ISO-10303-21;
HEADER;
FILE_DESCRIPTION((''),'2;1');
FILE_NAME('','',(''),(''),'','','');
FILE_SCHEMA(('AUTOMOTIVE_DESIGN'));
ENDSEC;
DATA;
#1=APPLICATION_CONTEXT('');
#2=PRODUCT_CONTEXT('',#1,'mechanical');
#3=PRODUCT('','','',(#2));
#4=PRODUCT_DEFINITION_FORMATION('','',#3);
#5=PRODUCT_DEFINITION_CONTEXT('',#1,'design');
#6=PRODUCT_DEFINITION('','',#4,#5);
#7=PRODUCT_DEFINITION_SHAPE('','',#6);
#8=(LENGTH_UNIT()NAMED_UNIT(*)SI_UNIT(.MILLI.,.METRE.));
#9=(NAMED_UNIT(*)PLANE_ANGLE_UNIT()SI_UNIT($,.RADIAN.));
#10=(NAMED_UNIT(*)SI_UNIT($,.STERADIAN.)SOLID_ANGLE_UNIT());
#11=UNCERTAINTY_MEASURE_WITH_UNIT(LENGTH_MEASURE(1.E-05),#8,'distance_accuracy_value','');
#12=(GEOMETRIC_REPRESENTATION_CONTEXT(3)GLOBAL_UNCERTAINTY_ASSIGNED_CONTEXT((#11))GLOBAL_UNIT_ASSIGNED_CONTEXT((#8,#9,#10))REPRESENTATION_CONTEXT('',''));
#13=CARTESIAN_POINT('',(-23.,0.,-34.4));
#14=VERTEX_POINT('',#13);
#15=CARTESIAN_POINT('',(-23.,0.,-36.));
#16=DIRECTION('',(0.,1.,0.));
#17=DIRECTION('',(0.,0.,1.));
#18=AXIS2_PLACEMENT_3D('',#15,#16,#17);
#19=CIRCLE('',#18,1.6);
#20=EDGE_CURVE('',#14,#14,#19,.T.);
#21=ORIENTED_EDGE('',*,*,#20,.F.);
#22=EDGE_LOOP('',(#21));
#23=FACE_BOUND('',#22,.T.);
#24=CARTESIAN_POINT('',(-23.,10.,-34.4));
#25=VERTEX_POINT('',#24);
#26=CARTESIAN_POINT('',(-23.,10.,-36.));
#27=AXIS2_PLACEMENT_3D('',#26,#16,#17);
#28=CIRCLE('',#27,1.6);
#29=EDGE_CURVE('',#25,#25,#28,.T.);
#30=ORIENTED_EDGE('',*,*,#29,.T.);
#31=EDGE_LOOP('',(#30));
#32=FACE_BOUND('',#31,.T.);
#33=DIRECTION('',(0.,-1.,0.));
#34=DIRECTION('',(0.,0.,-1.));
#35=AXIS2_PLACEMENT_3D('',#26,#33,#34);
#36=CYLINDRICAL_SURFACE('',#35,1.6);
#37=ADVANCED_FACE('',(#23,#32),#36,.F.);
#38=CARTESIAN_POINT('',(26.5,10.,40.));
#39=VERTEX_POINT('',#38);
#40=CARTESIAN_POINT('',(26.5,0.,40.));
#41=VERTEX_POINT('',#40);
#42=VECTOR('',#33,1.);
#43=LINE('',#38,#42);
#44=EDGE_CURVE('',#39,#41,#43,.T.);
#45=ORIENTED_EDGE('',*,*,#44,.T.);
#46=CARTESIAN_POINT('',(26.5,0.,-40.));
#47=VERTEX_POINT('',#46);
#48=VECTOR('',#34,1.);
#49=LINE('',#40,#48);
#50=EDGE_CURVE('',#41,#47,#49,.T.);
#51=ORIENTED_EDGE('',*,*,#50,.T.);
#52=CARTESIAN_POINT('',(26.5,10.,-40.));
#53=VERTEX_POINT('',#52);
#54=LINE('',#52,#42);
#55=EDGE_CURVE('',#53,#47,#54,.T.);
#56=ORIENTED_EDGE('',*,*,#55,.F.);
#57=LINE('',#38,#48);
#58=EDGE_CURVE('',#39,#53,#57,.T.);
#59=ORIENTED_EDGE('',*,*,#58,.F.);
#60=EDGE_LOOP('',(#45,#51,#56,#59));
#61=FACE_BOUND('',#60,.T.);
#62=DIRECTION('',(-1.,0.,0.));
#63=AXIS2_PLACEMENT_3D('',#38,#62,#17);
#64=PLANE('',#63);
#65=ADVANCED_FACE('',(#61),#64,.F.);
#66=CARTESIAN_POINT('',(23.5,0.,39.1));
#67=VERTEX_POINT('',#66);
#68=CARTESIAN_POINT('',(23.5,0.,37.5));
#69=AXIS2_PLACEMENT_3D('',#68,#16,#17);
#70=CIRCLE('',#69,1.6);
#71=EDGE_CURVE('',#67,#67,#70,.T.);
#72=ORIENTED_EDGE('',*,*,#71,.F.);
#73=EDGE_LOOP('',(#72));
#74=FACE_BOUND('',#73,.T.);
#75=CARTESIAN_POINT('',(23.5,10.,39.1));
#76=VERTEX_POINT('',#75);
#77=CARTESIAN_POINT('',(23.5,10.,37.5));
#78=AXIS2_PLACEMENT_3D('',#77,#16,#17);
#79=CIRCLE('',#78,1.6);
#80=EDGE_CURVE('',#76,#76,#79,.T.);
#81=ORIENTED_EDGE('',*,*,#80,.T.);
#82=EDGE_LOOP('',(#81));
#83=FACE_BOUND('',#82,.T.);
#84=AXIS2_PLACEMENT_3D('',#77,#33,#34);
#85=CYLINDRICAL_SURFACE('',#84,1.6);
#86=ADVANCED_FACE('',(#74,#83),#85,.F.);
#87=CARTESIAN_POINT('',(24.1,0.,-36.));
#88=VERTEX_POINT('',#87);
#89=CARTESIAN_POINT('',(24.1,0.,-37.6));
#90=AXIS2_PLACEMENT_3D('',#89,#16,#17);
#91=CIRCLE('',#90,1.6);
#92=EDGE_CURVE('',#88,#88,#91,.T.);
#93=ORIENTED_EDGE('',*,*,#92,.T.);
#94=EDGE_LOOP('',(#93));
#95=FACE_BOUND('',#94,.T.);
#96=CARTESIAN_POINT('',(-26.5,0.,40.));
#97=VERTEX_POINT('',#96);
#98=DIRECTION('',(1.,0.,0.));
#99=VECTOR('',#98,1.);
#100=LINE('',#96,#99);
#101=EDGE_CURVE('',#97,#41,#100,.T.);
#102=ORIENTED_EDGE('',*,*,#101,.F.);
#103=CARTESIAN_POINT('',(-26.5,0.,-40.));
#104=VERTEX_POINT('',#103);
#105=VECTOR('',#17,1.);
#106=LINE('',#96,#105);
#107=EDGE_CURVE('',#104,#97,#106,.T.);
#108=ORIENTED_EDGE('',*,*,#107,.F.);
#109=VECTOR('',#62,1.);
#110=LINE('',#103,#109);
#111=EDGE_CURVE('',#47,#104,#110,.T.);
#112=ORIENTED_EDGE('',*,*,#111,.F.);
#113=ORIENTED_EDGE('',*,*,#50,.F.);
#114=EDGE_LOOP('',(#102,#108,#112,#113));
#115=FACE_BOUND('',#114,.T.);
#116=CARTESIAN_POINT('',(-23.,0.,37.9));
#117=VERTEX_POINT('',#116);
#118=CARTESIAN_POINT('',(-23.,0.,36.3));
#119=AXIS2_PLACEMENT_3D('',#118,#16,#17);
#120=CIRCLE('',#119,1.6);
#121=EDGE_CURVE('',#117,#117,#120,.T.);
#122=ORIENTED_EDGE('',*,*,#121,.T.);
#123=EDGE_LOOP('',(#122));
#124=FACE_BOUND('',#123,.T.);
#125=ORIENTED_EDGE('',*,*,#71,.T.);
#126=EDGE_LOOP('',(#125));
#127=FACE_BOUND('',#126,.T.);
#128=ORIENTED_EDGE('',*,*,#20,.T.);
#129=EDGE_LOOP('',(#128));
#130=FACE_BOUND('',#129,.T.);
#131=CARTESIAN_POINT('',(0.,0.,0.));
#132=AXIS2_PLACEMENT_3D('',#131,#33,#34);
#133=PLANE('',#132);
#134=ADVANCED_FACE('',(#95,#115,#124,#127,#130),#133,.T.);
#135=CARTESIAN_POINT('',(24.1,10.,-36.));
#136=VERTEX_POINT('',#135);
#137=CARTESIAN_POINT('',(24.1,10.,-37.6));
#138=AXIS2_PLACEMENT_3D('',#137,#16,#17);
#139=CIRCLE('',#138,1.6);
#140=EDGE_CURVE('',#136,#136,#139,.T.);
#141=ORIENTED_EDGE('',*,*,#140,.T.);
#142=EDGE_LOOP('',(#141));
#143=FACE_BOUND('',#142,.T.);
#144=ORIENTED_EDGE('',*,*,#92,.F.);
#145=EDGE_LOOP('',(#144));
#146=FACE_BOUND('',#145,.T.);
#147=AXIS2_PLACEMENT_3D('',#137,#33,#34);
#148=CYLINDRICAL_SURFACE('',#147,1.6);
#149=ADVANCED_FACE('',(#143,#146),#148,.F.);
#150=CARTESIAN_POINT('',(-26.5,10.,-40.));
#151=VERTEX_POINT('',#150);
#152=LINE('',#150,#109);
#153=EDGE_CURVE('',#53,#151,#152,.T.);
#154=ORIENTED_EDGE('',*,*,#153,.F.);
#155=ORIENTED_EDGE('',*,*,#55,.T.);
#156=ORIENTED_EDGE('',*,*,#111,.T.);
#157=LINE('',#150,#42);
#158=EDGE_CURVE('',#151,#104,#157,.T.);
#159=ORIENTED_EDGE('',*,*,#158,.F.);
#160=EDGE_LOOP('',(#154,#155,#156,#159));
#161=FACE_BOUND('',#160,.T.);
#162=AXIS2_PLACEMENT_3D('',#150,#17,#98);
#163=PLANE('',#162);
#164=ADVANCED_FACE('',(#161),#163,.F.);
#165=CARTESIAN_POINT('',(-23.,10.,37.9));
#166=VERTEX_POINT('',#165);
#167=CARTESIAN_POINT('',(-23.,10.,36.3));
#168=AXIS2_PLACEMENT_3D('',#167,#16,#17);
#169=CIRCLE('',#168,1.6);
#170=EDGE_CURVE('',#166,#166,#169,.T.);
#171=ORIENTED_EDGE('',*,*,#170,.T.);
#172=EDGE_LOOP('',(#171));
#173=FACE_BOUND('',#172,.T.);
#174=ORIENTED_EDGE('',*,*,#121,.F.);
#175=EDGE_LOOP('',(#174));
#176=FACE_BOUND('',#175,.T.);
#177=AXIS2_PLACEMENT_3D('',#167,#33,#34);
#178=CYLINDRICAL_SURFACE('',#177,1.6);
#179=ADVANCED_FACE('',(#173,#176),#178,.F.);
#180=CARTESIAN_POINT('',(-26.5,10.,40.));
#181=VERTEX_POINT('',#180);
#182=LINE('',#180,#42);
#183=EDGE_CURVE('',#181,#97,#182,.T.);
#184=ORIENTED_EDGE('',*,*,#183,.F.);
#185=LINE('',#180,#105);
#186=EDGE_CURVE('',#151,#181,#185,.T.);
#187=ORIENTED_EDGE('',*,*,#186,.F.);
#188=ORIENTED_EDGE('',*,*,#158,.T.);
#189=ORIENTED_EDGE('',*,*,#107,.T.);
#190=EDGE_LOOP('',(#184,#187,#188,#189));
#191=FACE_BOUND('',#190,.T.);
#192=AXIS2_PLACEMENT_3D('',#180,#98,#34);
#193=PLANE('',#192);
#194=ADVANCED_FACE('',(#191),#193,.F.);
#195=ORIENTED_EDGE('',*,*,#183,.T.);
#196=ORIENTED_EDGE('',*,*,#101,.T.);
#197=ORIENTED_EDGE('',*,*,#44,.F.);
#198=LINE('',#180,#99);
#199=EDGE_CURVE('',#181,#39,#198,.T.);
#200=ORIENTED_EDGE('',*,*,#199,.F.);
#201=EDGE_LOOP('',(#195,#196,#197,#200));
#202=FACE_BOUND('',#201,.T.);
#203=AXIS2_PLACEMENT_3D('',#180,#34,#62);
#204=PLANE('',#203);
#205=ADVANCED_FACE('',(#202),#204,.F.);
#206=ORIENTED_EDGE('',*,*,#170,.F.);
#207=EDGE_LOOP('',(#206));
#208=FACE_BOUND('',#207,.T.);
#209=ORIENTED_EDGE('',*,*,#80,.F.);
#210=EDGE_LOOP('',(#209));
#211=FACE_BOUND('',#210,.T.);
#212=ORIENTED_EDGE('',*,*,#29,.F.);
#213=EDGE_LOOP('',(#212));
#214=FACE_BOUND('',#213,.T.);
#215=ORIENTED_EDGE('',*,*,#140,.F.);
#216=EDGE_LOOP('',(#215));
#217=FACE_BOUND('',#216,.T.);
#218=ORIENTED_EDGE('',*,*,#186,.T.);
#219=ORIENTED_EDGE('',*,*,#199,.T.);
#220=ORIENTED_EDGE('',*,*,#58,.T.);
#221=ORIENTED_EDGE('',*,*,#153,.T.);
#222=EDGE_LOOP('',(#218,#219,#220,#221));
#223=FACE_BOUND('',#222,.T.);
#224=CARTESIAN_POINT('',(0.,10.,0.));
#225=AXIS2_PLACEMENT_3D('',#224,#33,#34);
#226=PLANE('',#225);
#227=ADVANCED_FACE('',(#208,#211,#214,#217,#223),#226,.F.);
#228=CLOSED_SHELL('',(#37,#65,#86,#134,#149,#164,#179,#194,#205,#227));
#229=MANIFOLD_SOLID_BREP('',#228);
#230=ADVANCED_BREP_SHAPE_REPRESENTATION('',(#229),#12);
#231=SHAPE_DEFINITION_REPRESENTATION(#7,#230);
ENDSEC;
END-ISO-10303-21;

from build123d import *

# Parameters (mm, degrees)
SKETCH1_W           = 53
SKETCH1_H           = 80
SKETCH1_R           = 1.6
BOSS_EXTRUDE1_DEPTH = 10


with BuildPart() as part:
    # Sketch1 → Boss-Extrude1 (new body)
    with BuildSketch(Plane(origin=(0, 0, 0), x_dir=(1, 0, 0), z_dir=(0, 1, 0))):
        Rectangle(SKETCH1_W, SKETCH1_H)
        with Locations((-23, 36)):
            Circle(SKETCH1_R, mode=Mode.SUBTRACT)
        with Locations((24.1, 37.6)):
            Circle(SKETCH1_R, mode=Mode.SUBTRACT)
        with Locations((23.5, -37.5)):
            Circle(SKETCH1_R, mode=Mode.SUBTRACT)
        with Locations((-23, -36.3)):
            Circle(SKETCH1_R, mode=Mode.SUBTRACT)
    extrude(amount=BOSS_EXTRUDE1_DEPTH)


solid = part.part
